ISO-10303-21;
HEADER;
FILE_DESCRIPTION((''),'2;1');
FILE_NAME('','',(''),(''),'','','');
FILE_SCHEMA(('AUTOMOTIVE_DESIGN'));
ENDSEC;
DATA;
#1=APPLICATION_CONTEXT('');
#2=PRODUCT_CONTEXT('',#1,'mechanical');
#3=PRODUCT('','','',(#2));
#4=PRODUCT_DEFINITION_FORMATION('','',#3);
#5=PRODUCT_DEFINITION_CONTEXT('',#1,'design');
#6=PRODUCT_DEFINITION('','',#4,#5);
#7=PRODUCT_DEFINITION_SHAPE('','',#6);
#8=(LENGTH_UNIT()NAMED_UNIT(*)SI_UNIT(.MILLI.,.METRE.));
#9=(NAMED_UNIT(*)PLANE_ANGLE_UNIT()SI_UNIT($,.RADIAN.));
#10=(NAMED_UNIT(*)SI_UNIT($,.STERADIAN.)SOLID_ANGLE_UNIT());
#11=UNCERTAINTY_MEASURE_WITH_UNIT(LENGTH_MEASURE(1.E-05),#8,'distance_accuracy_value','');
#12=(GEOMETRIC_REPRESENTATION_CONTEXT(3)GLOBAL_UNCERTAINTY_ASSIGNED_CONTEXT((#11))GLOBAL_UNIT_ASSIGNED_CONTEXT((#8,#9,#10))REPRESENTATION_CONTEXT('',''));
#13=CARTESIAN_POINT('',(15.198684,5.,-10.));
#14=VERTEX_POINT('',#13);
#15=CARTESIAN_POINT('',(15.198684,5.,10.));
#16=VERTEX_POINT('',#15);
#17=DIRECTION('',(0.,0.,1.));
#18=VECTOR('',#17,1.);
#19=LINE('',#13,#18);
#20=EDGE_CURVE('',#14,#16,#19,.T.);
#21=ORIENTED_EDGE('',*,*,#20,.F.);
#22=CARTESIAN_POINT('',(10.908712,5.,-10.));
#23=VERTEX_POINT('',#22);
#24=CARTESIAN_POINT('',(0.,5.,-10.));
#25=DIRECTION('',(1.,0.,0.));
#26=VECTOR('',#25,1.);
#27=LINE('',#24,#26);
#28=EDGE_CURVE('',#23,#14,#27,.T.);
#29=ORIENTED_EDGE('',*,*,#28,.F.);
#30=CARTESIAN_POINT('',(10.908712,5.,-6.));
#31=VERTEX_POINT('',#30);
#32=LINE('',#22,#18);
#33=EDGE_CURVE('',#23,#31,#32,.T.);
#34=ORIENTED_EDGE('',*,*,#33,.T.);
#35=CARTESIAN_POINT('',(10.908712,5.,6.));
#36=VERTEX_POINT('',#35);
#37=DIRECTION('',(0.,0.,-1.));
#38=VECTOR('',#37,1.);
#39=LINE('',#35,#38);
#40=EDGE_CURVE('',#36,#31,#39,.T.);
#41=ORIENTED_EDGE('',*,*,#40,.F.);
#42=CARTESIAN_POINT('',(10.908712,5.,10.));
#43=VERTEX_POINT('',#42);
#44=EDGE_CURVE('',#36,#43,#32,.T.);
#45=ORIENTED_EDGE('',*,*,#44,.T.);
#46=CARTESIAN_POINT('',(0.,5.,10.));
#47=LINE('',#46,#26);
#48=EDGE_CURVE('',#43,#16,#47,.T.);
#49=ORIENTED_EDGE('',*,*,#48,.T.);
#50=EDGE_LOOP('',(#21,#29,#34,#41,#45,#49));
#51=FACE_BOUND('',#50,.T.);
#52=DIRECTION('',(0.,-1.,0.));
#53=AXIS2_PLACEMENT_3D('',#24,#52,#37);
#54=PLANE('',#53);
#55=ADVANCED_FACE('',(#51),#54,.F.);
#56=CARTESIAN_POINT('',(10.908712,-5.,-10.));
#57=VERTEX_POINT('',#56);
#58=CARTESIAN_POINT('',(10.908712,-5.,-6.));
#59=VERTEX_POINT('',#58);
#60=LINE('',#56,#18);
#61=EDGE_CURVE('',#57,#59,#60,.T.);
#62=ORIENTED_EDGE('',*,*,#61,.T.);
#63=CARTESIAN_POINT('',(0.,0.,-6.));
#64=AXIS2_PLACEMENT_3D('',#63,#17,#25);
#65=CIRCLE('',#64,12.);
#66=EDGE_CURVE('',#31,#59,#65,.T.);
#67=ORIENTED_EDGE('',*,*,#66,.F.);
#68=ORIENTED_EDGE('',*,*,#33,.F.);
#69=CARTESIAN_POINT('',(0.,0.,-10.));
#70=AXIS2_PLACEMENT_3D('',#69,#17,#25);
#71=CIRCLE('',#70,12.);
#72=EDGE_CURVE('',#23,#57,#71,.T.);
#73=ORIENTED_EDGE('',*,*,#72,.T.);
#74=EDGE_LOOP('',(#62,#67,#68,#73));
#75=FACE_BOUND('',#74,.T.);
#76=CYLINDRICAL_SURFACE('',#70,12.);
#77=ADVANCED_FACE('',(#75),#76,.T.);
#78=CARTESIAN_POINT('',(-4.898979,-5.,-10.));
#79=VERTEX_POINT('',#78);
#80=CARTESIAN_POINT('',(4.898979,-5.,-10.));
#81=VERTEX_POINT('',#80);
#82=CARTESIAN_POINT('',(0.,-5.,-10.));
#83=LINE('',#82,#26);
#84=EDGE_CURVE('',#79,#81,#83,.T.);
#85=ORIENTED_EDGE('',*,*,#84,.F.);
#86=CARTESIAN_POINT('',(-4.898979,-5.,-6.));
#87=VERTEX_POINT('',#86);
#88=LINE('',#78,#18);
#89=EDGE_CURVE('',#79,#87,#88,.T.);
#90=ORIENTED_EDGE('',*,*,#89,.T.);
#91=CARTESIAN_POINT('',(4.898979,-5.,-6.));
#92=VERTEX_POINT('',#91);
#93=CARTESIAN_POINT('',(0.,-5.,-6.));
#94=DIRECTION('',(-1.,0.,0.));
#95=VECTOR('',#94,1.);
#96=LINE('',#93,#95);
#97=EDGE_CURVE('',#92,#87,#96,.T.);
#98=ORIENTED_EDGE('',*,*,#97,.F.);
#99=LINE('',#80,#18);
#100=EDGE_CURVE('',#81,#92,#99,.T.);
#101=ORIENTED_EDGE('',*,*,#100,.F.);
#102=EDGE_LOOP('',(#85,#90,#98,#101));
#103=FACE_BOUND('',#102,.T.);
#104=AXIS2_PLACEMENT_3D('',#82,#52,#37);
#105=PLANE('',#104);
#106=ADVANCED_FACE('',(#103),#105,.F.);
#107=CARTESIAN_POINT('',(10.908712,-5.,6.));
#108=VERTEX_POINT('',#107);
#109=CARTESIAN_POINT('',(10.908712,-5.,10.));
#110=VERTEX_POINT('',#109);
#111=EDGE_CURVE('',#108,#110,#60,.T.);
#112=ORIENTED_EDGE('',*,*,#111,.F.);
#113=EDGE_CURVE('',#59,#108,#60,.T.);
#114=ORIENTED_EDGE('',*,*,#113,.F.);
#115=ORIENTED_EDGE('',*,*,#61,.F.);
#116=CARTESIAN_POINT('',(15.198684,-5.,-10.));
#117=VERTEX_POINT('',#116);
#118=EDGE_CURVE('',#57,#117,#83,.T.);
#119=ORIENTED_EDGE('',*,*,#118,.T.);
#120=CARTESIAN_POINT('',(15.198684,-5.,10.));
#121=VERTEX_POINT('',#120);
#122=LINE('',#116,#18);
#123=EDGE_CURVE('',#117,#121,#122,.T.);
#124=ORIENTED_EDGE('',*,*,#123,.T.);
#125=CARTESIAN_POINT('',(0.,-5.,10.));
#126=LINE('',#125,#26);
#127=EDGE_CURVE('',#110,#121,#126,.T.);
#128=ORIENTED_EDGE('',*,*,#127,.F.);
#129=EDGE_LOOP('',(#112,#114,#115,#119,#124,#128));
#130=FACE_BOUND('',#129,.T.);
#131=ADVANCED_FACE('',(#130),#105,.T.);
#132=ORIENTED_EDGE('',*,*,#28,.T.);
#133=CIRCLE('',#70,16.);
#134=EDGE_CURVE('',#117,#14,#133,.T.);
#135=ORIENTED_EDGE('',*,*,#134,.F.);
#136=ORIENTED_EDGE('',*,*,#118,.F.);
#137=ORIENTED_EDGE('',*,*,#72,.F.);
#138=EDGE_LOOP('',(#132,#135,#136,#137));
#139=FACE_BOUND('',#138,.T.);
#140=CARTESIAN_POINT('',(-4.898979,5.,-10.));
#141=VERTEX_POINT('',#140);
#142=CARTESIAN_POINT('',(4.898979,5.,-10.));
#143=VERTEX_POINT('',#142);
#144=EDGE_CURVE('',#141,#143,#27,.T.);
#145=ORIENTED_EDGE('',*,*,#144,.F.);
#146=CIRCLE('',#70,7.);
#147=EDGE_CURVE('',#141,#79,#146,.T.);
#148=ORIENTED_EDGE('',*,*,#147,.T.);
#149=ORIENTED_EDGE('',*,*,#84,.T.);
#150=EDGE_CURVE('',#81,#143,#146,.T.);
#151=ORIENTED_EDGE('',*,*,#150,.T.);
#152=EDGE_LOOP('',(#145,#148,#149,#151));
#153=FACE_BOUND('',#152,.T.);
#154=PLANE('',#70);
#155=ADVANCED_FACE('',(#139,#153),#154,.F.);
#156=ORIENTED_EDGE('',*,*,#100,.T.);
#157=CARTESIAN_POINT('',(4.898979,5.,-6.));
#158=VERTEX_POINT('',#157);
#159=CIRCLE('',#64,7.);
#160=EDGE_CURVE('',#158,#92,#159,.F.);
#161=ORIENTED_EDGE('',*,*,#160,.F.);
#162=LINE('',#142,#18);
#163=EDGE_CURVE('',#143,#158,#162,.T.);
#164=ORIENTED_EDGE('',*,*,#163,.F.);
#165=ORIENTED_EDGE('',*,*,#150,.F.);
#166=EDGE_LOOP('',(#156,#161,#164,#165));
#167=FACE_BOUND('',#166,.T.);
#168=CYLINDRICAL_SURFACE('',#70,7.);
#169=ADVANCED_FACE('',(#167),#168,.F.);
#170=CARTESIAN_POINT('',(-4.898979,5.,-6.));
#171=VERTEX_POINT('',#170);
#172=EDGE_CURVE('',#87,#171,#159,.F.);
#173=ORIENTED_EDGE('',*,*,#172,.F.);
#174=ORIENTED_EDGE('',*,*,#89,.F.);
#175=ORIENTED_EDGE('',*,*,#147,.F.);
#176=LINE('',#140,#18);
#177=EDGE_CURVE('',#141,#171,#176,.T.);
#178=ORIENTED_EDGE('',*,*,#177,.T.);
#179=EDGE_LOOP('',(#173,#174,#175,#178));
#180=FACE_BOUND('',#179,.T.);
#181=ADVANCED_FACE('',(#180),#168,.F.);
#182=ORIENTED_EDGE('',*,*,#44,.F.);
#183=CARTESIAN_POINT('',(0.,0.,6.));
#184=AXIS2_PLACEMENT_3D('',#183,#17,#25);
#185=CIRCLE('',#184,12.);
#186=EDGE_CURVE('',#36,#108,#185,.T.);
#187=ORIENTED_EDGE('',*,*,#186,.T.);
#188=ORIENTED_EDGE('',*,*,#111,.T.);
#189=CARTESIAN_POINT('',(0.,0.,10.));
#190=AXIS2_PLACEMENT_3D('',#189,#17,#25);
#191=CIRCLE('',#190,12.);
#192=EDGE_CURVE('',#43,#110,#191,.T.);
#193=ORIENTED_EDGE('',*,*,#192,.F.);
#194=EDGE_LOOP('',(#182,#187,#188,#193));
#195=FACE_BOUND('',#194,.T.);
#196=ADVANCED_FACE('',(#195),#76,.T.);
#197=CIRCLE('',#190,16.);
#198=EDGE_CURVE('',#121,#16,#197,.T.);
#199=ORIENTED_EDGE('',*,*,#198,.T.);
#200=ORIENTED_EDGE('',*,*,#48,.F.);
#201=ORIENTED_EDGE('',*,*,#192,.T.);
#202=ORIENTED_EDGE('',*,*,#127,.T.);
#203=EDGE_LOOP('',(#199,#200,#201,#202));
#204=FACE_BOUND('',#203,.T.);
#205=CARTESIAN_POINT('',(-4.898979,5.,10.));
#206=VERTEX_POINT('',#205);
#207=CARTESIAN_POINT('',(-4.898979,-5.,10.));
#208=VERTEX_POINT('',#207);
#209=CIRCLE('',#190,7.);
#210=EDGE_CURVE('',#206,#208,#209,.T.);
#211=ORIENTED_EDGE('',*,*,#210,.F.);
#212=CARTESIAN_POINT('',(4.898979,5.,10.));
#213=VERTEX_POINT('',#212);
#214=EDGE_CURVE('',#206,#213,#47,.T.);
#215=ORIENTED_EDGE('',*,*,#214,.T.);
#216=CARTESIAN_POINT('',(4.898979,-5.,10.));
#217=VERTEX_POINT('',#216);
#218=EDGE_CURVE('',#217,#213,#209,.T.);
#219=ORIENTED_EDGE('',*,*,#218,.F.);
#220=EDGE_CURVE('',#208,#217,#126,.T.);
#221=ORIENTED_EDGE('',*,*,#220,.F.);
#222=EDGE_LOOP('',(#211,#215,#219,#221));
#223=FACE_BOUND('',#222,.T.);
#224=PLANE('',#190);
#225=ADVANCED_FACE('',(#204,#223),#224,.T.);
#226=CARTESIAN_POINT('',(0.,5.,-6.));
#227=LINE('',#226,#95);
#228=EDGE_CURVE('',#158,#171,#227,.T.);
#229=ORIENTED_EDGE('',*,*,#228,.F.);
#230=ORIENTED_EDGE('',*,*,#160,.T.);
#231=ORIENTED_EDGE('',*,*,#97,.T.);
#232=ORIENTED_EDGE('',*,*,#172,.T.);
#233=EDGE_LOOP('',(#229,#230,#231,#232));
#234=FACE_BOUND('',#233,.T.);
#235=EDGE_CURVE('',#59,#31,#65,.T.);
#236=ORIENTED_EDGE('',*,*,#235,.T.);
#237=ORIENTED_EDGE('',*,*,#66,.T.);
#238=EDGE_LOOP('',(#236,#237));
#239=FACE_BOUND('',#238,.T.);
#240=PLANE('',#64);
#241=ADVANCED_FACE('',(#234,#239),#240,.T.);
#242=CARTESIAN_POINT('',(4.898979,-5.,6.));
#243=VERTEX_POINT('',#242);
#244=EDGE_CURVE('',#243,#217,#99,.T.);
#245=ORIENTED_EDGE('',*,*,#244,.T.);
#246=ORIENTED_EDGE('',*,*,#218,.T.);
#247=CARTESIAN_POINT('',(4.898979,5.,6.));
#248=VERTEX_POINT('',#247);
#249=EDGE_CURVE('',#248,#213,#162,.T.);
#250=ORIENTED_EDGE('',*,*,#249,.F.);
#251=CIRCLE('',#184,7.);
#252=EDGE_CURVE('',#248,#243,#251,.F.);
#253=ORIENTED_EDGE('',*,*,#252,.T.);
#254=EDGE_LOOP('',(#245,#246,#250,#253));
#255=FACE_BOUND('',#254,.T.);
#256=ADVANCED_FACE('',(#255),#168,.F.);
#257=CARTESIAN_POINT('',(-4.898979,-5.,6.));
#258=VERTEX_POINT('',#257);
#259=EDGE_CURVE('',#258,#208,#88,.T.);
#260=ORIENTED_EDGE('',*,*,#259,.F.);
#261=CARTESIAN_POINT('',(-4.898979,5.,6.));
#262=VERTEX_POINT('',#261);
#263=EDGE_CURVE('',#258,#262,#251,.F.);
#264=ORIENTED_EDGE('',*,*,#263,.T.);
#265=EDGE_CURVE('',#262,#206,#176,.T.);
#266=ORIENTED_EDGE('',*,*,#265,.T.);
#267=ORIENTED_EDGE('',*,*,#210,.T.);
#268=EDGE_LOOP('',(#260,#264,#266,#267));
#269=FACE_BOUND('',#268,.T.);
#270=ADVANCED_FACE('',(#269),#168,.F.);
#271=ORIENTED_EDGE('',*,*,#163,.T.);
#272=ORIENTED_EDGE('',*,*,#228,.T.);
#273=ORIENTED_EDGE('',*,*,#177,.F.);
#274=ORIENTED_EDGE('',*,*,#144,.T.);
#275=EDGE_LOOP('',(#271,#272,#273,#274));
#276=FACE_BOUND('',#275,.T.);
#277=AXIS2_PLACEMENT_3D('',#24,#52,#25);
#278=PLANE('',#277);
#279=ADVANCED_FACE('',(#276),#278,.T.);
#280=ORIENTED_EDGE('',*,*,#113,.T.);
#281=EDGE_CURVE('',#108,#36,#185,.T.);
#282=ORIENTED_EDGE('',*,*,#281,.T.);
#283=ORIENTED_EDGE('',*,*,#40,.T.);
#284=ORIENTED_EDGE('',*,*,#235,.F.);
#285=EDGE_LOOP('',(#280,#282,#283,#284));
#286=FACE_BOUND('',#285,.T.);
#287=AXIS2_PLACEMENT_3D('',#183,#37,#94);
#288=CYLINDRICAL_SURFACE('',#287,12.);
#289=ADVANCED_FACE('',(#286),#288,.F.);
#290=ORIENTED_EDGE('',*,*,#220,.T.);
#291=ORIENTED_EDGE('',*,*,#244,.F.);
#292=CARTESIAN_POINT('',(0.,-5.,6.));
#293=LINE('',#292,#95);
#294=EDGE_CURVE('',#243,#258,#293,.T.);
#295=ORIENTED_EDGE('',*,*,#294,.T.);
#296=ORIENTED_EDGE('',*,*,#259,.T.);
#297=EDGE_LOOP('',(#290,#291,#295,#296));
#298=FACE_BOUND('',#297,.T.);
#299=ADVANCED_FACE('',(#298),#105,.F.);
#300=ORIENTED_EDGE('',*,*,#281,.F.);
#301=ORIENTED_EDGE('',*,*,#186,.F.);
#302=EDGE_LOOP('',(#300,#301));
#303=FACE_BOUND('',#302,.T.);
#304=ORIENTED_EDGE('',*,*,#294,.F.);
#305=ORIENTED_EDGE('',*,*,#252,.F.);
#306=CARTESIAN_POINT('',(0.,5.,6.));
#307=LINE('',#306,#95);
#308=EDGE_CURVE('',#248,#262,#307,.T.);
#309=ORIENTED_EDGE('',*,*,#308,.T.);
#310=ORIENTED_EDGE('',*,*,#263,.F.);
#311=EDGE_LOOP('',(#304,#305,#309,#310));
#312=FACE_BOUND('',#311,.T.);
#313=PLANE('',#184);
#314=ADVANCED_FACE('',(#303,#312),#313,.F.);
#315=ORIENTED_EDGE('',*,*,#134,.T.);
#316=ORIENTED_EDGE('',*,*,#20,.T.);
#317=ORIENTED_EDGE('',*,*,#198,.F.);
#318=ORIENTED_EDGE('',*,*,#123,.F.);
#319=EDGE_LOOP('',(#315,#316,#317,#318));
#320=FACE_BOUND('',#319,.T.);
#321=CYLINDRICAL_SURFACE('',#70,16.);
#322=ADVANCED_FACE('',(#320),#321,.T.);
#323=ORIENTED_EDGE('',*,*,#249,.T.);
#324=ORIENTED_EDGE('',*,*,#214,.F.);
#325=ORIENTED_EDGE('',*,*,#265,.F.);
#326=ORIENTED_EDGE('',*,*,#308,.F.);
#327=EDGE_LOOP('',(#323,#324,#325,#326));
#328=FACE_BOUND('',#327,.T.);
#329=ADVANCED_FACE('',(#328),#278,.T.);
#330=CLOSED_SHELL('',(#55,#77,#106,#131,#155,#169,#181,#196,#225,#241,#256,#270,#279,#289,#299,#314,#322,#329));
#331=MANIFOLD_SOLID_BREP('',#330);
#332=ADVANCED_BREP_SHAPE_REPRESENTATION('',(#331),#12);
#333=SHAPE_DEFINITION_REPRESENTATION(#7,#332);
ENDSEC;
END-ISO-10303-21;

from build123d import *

# Parameters (mm, degrees)
BOSS_EXTRUDE2_DEPTH      = 10
BOSS_EXTRUDE2_DEPTH_BACK = 10
CUT_EXTRUDE1_DEPTH       = 6
CUT_EXTRUDE1_DEPTH_BACK  = 6
SKETCH3_R                = 12


with BuildPart() as part:
    # Sketch1 → Boss-Extrude2 (new, two sides: drawn at the far end of the back side and taken through both)
    with BuildSketch(Plane.XY.offset(-BOSS_EXTRUDE2_DEPTH_BACK)):
        with BuildLine():
            ThreePointArc((10.908712115, 5), (-12, 0), (10.908712115, -5))
            Line((10.908712115, -5), (15.198684154, -5))
            ThreePointArc((15.198684154, -5), (16, 0), (15.198684154, 5))
            Line((15.198684154, 5), (10.908712115, 5))
        make_face()
        with BuildLine():
            Line((-4.898979486, 5), (4.898979486, 5))
            ThreePointArc((4.898979486, 5), (7, 0), (4.898979486, -5))
            Line((4.898979486, -5), (-4.898979486, -5))
            ThreePointArc((-4.898979486, -5), (-7, 0), (-4.898979486, 5))
        make_face(mode=Mode.SUBTRACT)
    extrude(amount=BOSS_EXTRUDE2_DEPTH + BOSS_EXTRUDE2_DEPTH_BACK)

    # Sketch3 → Cut-Extrude1 (cut, two sides: drawn at the far end of the back side and taken through both)
    with BuildSketch(Plane.XY.offset(-CUT_EXTRUDE1_DEPTH_BACK)):
        Circle(SKETCH3_R)
    extrude(amount=CUT_EXTRUDE1_DEPTH + CUT_EXTRUDE1_DEPTH_BACK, mode=Mode.SUBTRACT)


solid = part.part
